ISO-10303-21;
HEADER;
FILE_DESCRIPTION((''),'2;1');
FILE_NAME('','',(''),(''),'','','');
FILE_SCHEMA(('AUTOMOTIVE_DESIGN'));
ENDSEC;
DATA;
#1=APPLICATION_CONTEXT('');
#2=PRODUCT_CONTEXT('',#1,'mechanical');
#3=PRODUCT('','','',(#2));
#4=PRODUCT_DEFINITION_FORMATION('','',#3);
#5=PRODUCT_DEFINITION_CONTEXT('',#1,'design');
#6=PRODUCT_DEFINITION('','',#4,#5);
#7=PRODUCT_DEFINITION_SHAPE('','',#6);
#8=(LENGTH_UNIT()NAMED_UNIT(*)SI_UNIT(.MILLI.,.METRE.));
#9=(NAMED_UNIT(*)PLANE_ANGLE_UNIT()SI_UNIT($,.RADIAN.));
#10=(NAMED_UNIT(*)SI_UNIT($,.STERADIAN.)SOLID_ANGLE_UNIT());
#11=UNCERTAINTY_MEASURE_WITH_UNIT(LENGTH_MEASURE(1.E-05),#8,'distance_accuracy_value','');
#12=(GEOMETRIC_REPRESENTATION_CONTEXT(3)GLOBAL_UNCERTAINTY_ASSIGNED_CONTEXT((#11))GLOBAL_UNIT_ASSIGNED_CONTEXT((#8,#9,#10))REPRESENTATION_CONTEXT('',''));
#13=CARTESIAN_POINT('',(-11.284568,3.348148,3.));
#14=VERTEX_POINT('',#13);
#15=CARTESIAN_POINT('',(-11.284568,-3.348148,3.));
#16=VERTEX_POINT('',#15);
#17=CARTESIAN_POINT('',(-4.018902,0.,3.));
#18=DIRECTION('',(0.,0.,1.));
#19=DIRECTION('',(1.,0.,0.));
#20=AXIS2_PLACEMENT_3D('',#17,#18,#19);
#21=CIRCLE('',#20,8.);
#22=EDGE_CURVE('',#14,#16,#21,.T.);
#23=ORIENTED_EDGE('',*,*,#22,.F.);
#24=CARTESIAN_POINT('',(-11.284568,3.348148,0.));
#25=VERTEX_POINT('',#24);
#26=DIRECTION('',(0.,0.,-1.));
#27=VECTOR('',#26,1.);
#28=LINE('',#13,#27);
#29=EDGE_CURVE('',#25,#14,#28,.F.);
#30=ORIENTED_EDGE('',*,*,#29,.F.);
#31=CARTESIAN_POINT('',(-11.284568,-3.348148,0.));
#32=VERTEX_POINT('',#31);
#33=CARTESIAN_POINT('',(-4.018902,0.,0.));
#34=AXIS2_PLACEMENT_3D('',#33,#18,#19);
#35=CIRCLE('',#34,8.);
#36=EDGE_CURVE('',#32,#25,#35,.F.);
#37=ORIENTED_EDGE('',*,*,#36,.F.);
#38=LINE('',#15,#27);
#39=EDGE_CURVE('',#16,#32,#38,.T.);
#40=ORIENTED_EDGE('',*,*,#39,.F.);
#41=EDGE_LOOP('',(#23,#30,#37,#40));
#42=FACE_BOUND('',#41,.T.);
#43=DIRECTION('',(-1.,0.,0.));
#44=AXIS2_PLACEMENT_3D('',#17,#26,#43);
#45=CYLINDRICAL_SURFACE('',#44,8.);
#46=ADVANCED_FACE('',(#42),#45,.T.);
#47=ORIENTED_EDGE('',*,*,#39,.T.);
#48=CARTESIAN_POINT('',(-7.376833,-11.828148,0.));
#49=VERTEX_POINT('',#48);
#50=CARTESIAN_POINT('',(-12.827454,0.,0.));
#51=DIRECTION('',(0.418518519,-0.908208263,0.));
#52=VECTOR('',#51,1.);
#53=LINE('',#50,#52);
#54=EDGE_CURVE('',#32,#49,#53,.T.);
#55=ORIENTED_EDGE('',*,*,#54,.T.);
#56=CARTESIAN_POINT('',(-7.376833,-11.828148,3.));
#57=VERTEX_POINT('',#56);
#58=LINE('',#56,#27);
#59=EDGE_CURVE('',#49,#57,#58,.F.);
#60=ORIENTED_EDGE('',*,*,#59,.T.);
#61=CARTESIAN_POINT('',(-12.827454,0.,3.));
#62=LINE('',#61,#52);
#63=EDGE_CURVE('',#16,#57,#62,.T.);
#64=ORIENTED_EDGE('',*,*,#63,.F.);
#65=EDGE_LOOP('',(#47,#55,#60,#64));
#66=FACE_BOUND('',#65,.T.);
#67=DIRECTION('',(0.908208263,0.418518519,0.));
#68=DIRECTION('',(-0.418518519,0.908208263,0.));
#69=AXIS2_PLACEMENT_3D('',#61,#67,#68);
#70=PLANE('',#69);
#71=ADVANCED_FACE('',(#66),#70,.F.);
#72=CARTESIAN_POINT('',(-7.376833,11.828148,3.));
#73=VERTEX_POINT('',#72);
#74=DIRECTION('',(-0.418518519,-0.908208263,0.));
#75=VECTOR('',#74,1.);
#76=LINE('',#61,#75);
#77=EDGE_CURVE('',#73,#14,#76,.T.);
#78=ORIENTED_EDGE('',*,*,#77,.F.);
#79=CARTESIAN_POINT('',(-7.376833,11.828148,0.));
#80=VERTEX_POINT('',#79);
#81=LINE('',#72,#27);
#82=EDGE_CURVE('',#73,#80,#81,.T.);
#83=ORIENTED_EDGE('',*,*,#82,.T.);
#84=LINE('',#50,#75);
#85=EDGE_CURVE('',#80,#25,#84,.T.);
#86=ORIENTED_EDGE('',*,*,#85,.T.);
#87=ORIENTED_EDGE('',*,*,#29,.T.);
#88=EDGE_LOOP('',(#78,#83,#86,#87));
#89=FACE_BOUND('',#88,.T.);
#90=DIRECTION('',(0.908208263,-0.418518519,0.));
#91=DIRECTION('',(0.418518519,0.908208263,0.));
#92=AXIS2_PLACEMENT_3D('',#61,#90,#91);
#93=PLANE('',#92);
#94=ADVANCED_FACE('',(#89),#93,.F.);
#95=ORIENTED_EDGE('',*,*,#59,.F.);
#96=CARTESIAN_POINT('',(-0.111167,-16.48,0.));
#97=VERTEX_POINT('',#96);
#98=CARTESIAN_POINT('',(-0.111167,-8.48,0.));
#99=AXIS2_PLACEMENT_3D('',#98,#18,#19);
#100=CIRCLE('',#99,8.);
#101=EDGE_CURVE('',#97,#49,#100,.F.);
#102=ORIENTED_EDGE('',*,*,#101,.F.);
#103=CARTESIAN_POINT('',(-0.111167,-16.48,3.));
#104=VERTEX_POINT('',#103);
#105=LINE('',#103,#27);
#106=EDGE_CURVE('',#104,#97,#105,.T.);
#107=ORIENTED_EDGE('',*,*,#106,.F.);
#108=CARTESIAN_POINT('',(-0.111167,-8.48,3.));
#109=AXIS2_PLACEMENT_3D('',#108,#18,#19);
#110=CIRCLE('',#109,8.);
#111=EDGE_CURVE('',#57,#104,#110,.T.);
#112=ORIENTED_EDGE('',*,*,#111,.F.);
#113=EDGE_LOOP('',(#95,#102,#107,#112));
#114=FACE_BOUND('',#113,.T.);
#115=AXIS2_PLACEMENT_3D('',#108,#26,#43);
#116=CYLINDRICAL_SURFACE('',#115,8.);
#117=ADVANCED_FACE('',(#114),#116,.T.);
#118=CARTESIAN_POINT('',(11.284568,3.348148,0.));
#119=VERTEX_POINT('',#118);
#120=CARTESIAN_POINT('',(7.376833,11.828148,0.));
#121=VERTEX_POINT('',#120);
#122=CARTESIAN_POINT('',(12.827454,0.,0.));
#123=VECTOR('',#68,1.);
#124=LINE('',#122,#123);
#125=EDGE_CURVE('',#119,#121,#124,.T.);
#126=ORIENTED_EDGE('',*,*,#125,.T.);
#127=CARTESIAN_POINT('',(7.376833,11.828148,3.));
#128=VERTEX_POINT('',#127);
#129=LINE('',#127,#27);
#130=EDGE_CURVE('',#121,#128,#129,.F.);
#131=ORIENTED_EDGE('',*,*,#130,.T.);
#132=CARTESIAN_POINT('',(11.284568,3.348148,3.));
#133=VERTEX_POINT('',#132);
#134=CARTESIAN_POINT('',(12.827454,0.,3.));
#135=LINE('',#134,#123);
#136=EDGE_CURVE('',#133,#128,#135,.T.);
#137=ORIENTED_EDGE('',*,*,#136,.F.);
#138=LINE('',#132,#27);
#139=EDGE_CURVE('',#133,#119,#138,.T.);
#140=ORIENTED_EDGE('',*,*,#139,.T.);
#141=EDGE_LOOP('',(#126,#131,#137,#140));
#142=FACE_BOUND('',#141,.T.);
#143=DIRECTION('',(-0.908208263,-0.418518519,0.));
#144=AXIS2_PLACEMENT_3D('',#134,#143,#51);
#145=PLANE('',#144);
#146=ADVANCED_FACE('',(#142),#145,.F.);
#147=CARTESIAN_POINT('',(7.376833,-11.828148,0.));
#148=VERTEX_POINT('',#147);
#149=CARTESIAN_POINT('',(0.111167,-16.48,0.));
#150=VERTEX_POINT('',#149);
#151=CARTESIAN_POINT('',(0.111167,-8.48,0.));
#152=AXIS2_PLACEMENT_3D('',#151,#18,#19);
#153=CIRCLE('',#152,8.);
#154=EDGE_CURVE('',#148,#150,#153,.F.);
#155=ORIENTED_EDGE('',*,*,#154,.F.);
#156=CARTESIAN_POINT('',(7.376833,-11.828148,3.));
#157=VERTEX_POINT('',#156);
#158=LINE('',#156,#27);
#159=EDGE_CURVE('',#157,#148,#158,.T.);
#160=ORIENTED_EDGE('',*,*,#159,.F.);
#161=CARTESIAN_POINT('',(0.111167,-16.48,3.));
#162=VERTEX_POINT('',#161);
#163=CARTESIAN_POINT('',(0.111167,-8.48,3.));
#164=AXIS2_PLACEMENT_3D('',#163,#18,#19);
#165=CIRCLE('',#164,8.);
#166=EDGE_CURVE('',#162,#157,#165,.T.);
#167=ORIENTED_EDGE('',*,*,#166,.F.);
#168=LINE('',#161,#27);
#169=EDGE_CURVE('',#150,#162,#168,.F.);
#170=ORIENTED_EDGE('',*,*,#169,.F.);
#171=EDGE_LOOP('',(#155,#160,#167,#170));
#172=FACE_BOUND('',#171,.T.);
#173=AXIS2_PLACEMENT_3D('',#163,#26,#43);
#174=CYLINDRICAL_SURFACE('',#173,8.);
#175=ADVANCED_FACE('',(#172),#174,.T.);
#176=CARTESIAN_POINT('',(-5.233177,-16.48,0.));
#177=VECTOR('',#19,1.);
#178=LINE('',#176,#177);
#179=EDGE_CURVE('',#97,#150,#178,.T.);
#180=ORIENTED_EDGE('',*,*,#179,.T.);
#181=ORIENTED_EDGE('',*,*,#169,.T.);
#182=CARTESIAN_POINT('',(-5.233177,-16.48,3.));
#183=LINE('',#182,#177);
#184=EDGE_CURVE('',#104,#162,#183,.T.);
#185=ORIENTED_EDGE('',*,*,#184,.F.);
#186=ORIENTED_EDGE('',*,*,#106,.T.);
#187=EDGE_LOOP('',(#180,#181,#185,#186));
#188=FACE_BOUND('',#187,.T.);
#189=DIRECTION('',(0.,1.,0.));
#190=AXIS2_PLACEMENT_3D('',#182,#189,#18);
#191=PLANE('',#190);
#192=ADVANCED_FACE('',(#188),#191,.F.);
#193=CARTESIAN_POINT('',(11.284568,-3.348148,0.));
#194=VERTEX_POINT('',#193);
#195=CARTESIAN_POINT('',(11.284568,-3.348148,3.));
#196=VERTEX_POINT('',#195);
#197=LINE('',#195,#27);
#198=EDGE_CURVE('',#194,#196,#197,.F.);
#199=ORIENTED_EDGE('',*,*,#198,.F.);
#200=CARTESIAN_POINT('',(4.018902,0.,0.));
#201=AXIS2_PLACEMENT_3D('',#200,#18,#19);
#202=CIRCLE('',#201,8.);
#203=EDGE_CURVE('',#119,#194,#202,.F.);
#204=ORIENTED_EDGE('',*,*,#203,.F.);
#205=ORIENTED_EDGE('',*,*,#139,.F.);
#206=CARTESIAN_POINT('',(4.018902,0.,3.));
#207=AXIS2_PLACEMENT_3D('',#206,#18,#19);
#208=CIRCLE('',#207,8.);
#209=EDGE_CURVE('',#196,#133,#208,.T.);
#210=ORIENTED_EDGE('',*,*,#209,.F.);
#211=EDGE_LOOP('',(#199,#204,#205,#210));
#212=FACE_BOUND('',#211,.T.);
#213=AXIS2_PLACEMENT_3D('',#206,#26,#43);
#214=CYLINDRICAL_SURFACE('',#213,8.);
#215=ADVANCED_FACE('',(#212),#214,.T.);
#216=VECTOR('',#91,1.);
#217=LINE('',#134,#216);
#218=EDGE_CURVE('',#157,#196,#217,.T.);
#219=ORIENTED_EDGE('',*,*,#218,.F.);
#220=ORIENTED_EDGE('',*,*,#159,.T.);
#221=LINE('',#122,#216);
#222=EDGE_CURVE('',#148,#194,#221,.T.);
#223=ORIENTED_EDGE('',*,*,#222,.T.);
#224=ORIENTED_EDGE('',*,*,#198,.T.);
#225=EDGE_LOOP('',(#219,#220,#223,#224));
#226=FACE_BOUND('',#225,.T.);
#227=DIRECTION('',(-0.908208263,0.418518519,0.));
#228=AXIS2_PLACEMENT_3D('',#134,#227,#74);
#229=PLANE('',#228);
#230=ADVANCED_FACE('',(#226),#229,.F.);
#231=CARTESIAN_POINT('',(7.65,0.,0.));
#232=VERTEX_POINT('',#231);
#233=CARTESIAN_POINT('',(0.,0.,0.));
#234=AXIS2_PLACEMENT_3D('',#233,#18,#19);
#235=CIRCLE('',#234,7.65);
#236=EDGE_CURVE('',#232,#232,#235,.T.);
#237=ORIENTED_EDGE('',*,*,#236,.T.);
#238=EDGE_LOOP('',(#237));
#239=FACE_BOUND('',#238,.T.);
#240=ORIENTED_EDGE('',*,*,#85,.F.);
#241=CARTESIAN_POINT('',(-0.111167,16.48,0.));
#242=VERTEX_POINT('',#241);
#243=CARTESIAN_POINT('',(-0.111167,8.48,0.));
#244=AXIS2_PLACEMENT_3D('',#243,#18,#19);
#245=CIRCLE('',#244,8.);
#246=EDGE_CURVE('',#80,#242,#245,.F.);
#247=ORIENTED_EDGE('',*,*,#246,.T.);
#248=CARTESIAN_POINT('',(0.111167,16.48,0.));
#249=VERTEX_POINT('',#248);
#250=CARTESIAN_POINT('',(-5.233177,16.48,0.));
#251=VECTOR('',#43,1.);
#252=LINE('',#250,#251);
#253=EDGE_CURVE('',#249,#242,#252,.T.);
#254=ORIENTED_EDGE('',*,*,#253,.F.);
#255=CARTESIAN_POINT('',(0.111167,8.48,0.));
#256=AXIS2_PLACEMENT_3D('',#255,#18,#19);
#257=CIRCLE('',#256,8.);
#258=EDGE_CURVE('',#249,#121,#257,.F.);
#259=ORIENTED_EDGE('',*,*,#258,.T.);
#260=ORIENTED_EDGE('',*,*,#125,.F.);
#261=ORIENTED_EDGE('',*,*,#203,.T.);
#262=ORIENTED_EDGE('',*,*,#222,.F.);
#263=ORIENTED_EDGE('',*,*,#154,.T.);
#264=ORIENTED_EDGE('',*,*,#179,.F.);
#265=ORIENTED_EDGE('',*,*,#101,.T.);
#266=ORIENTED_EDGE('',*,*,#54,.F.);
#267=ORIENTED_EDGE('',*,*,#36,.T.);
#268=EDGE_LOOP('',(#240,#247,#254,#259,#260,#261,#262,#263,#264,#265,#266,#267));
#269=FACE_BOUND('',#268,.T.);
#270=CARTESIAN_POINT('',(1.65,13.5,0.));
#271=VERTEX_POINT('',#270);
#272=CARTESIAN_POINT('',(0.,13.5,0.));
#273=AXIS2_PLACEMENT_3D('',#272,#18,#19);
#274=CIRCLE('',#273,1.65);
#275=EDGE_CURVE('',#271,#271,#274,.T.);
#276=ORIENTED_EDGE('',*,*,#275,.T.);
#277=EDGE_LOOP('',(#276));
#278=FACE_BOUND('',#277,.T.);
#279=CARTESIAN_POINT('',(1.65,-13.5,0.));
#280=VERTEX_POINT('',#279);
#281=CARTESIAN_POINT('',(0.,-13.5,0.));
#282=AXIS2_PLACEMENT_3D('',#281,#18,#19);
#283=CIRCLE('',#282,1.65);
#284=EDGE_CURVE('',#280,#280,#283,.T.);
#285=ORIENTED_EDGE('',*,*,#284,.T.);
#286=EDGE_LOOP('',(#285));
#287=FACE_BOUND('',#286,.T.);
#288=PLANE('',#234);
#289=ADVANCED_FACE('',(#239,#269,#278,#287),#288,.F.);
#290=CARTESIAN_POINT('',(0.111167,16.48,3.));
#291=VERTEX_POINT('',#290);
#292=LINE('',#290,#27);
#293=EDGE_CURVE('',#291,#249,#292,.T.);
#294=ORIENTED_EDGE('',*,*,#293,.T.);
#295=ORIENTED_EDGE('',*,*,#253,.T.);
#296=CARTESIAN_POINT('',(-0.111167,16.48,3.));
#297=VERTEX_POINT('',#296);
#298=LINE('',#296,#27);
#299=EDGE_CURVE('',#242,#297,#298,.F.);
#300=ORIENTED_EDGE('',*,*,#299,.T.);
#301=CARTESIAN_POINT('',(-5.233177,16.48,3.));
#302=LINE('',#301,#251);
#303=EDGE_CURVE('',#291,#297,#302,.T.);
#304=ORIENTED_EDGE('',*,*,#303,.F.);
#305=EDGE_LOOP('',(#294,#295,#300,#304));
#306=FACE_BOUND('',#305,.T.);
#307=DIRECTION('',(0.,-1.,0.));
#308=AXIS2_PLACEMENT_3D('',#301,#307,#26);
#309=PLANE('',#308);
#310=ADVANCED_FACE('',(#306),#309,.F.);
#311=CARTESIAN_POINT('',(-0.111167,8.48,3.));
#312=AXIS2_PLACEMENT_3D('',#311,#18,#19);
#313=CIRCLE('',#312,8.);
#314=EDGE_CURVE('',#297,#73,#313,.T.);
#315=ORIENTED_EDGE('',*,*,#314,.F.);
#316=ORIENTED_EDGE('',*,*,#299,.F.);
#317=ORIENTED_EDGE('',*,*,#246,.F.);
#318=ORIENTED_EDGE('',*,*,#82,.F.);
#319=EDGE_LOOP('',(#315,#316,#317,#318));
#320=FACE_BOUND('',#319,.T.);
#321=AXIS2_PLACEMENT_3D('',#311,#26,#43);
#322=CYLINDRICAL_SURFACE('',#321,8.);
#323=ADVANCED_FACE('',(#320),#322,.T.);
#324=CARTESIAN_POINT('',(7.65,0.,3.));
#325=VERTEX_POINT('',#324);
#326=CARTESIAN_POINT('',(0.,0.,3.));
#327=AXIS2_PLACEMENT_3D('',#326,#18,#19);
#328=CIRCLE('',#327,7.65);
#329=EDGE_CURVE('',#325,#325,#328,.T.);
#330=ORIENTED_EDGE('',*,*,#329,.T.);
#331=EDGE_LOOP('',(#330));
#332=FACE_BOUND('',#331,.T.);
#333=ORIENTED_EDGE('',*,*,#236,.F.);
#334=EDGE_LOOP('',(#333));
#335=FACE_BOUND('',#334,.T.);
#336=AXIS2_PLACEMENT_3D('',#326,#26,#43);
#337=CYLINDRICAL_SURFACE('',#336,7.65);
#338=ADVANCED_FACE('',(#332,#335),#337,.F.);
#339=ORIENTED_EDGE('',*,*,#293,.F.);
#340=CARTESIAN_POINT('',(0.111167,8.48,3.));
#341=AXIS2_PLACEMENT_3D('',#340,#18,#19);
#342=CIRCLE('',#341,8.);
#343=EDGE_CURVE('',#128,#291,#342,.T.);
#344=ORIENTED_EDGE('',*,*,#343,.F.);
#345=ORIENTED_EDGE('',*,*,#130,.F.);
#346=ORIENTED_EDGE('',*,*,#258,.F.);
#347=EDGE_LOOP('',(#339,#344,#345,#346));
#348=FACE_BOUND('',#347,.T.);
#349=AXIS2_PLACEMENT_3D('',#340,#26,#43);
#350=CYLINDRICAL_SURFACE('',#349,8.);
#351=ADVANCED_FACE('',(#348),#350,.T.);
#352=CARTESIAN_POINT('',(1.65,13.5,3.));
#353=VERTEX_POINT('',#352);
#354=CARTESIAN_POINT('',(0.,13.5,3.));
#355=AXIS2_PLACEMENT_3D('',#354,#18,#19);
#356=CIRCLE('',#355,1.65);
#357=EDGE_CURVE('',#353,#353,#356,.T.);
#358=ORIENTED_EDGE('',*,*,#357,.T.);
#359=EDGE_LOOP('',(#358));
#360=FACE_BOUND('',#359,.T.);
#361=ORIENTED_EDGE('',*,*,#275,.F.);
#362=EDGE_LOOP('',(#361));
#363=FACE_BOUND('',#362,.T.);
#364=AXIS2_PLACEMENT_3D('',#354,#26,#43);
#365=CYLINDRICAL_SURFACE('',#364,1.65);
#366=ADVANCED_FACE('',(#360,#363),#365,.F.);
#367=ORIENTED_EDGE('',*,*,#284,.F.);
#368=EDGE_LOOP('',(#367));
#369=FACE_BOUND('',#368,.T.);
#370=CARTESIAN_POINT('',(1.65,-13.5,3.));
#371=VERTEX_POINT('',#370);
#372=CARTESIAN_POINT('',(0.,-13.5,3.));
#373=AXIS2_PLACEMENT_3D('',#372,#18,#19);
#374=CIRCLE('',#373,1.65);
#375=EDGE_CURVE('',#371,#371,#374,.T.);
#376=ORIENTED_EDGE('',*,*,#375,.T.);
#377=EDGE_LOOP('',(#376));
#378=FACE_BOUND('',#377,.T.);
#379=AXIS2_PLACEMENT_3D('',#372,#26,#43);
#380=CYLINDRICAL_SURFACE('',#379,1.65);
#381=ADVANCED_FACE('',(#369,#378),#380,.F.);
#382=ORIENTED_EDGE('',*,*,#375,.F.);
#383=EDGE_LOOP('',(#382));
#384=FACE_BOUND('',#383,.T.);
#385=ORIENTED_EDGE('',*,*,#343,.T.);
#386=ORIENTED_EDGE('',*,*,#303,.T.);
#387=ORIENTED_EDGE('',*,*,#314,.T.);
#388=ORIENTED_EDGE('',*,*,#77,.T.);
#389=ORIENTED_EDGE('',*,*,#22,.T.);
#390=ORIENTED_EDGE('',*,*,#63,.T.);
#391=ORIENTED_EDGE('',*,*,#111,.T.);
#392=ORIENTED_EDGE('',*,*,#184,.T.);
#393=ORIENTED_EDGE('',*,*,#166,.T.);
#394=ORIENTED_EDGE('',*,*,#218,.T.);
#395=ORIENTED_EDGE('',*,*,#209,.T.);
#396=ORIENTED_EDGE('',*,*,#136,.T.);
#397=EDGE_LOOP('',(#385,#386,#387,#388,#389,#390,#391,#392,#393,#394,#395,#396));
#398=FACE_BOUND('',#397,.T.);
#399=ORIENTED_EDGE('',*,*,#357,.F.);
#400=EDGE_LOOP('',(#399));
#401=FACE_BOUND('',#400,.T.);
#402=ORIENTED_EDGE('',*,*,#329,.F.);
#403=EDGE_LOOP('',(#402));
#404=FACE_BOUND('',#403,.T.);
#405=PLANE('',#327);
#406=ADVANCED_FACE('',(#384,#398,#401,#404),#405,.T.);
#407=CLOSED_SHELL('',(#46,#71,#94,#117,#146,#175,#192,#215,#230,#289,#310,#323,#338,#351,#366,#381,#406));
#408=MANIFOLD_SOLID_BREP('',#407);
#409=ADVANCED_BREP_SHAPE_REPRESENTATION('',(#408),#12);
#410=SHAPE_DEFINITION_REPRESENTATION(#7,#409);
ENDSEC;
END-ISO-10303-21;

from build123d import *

# Parameters (mm, degrees)
ESBO_O1_R                = 7.65
ESBO_O1_R_2              = 1.65
RESSALTO_EXTRUS_O1_DEPTH = 3
FILETE1_R                = 8


with BuildPart() as part:
    # Esboço1 → Ressalto-extrusão1 (new body)
    with BuildSketch(Plane.XY):
        Polygon((-12.827454307, 0), (-5.233177242, 16.48), (5.233177242, 16.48), (12.827454307, 0), (5.233177242, -16.48), (-5.233177242, -16.48), align=None)
        Circle(ESBO_O1_R, mode=Mode.SUBTRACT)
        with Locations((0, -13.5)):
            Circle(ESBO_O1_R_2, mode=Mode.SUBTRACT)
        with Locations((0, 13.5)):
            Circle(ESBO_O1_R_2, mode=Mode.SUBTRACT)
    extrude(amount=RESSALTO_EXTRUS_O1_DEPTH)

    # Filete1
    filete1_edges = [part.edges().sort_by_distance(p)[0] for p in [
        (5.233177242, -16.48, 1.5),
        (-5.233177242, -16.48, 1.5),
        (-12.827454307, 0, 1.5),
        (-5.233177242, 16.48, 1.5),
        (5.233177242, 16.48, 1.5),
        (12.827454307, 0, 1.5),
    ]]
    fillet(filete1_edges, radius=FILETE1_R)


solid = part.part
